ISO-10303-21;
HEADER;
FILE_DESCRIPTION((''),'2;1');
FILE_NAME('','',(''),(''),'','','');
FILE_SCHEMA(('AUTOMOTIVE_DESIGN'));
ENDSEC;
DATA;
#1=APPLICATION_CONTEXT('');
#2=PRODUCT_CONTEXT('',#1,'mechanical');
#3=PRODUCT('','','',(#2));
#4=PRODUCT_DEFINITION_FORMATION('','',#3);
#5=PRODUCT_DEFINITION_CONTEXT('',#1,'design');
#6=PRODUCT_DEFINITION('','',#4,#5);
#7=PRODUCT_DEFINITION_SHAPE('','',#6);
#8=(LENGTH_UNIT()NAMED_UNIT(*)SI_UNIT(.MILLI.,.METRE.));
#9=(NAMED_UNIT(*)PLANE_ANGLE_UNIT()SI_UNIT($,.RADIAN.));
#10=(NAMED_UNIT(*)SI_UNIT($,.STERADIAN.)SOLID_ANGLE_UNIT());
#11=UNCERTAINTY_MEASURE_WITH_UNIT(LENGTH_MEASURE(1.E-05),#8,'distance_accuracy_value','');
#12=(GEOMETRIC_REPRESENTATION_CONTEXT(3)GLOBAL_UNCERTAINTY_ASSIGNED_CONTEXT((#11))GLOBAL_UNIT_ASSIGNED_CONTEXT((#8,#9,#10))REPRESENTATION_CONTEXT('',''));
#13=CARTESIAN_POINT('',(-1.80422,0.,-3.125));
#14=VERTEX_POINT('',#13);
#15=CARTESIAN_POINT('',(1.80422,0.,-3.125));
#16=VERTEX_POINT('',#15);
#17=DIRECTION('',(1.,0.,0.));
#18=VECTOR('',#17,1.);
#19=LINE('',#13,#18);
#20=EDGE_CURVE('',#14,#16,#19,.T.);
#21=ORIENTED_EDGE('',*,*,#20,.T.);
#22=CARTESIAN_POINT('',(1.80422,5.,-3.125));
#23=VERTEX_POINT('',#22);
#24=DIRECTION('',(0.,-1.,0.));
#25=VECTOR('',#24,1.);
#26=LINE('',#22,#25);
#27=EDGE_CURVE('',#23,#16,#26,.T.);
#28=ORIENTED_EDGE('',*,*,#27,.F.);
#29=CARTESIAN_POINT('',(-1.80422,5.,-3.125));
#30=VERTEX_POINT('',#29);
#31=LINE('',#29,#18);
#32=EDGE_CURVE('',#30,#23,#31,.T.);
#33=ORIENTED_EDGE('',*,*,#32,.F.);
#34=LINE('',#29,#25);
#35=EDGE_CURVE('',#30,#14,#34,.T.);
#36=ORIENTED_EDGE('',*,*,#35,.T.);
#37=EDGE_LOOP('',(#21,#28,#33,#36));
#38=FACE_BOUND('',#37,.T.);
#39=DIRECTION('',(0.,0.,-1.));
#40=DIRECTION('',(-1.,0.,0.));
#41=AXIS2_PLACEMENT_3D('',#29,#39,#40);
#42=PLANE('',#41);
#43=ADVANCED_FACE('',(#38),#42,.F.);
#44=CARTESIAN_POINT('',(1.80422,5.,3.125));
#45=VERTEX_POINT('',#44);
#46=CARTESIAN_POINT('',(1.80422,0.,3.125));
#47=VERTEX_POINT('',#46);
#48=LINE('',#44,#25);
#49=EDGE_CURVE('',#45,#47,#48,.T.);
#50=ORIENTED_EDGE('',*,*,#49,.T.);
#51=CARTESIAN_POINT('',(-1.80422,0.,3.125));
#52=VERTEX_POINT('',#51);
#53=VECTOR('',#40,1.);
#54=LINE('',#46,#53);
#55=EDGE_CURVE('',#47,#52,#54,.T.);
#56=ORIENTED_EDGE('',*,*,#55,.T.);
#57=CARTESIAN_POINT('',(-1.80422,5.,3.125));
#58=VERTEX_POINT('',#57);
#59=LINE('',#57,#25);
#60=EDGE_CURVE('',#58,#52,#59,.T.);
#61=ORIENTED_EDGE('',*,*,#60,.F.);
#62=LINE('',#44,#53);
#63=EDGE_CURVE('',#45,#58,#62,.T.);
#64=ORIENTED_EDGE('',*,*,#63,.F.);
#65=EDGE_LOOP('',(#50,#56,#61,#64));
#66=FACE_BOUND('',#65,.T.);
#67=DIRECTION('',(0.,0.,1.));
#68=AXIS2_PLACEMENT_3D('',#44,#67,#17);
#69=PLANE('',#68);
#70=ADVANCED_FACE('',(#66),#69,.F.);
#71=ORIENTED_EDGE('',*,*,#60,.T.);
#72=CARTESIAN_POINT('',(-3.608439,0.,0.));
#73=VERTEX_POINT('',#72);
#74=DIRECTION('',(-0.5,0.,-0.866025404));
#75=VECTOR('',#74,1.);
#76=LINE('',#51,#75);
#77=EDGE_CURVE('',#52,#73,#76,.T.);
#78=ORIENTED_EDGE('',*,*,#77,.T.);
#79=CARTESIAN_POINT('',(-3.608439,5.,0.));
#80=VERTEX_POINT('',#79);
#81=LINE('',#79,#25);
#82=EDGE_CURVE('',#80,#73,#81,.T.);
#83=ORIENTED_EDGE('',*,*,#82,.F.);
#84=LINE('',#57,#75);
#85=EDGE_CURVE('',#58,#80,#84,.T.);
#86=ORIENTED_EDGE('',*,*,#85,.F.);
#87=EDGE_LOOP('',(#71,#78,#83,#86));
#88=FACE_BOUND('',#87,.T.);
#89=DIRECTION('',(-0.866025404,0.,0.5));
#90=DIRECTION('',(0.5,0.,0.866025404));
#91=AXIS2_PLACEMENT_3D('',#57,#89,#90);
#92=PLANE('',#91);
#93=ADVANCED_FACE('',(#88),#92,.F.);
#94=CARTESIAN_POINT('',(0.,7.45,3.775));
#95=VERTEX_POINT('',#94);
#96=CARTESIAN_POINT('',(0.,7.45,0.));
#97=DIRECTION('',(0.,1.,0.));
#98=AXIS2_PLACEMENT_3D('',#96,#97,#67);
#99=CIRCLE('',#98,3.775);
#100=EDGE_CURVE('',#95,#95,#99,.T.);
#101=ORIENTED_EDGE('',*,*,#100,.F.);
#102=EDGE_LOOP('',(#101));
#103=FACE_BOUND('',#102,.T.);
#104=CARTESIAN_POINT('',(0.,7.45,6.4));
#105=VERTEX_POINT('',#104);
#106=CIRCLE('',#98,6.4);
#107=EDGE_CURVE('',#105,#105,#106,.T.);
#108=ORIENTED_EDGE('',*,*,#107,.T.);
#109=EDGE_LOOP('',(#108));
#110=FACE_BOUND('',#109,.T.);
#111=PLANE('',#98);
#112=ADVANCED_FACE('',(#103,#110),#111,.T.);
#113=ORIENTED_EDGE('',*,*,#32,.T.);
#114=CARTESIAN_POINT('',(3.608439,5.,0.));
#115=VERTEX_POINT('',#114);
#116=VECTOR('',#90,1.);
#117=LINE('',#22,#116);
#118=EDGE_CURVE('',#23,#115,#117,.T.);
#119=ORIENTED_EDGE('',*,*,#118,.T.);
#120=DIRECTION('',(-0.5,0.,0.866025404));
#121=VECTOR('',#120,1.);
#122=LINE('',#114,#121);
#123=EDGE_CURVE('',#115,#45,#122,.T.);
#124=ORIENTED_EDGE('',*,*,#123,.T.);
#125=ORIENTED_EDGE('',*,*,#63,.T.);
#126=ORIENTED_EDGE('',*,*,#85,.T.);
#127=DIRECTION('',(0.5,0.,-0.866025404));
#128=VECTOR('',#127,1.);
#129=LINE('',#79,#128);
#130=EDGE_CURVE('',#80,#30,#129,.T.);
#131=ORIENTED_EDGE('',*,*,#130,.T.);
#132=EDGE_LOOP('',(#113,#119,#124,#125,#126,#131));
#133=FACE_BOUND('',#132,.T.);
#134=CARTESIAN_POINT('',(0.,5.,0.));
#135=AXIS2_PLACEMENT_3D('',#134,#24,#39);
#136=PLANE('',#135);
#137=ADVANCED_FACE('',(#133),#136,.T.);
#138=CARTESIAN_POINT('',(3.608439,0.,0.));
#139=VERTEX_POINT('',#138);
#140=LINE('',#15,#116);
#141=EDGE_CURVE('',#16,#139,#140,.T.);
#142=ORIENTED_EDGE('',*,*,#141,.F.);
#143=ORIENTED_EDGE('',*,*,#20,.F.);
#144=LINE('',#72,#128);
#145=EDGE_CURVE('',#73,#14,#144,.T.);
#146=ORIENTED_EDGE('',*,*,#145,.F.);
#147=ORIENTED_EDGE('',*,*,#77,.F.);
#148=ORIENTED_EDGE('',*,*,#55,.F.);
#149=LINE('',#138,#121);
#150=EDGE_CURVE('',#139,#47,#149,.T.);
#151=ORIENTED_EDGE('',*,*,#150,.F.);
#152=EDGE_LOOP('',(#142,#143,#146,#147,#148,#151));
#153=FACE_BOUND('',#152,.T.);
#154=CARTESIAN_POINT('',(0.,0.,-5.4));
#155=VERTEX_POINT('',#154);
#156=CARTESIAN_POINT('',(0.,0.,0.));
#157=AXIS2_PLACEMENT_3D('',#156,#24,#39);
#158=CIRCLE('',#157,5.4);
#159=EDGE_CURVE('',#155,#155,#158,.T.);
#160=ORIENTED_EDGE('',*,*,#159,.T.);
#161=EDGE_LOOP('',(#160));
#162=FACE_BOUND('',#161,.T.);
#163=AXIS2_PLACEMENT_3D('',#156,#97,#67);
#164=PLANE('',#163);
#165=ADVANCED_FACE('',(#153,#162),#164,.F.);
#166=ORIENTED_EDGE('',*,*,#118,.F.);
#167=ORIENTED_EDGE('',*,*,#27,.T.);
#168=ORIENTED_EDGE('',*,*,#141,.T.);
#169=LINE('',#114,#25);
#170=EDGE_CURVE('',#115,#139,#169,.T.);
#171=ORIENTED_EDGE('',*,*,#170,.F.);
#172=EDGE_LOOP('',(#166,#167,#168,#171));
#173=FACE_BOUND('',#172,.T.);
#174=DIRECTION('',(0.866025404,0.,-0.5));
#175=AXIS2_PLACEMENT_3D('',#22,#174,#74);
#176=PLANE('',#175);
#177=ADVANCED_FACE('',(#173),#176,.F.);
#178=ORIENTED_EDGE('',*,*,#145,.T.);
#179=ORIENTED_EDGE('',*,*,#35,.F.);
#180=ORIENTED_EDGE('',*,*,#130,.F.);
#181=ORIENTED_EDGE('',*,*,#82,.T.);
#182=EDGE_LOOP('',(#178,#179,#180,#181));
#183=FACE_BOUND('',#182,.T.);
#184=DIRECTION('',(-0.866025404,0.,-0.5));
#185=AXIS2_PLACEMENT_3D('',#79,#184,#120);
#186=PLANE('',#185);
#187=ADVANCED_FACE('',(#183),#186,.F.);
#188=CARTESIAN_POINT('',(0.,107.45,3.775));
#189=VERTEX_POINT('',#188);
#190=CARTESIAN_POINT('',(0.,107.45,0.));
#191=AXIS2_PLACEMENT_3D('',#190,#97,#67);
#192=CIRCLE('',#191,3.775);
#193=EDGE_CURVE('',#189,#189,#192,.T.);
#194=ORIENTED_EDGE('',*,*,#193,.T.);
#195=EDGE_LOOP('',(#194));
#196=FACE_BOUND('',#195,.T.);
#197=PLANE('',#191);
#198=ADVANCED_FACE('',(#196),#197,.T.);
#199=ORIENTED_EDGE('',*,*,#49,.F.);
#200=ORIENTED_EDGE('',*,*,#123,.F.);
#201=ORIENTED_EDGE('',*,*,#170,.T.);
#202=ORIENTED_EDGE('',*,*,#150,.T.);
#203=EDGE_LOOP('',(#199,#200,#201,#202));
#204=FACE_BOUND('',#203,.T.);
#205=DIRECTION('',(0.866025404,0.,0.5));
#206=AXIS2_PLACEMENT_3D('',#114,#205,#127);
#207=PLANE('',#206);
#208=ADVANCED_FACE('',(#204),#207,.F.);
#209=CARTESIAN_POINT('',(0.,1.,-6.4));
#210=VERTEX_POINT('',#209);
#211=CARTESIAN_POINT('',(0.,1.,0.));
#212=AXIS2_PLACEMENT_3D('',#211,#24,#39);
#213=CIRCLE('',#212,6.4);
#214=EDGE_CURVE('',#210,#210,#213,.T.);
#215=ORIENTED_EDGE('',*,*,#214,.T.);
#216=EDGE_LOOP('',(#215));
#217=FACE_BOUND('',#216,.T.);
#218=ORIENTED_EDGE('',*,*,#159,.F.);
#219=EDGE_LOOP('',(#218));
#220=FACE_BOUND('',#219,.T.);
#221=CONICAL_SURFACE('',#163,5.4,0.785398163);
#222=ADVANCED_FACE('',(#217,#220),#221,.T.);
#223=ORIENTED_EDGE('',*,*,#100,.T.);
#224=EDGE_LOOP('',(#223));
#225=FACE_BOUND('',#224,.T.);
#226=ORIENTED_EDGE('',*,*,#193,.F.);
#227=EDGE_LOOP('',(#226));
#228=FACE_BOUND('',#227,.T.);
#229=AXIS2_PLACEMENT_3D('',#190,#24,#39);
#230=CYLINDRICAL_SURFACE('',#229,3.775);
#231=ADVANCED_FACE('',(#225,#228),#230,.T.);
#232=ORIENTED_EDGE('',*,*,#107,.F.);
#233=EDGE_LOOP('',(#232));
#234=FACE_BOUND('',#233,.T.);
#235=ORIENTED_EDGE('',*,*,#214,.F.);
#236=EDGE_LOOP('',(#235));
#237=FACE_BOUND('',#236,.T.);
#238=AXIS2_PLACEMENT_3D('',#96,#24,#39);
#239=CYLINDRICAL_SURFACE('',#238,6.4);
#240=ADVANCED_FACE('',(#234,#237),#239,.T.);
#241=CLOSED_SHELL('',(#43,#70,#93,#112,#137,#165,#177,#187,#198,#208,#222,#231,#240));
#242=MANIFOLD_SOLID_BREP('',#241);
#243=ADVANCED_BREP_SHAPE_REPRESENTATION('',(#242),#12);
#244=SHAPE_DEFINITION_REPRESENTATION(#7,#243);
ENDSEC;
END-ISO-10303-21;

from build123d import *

# Parameters (mm, degrees)
SKETCH1_R           = 6.4
BOSS_EXTRUDE1_DEPTH = 7.45
SKETCH2_R           = 3.775
BOSS_EXTRUDE2_DEPTH = 100
CUT_EXTRUDE1_DEPTH  = 5


with BuildPart() as part:
    # Sketch1 → Boss-Extrude1 (new body)
    with BuildSketch(Plane(origin=(0, 0, 0), x_dir=(1, 0, 0), z_dir=(0, 1, 0))):
        with Locations(Location((0, 0, 0), (0, 0, 270))):
            Circle(SKETCH1_R)
    extrude(amount=BOSS_EXTRUDE1_DEPTH)

    # Sketch2 → Boss-Extrude2 (add)
    with BuildSketch(Plane(origin=(0, 7.45, 0), x_dir=(1, 0, 0), z_dir=(0, 1, 0))):
        with Locations(Location((0, 0, 0), (0, 0, 270))):
            Circle(SKETCH2_R)
    extrude(amount=BOSS_EXTRUDE2_DEPTH)

    # Sketch3 → Cut-Extrude1 (cut)
    with BuildSketch(Plane.XZ):
        Polygon((-3.608439182, 0), (-1.804219591, -3.125), (1.804219591, -3.125), (3.608439182, 0), (1.804219591, 3.125), (-1.804219591, 3.125), align=None)
    extrude(amount=-CUT_EXTRUDE1_DEPTH, mode=Mode.SUBTRACT)

    # Sketch4 → Cut-Revolve1 (revolve, cut)
    with BuildSketch(Plane(origin=(0, 0, 0), x_dir=(0, 0, -1), z_dir=(1, 0, 0))):
        Polygon((5.4, 0), (6.4, 1), (6.4, 0), align=None)
    revolve(axis=Axis((0, 0, 0), (0, 1, 0)), mode=Mode.SUBTRACT)


solid = part.part
